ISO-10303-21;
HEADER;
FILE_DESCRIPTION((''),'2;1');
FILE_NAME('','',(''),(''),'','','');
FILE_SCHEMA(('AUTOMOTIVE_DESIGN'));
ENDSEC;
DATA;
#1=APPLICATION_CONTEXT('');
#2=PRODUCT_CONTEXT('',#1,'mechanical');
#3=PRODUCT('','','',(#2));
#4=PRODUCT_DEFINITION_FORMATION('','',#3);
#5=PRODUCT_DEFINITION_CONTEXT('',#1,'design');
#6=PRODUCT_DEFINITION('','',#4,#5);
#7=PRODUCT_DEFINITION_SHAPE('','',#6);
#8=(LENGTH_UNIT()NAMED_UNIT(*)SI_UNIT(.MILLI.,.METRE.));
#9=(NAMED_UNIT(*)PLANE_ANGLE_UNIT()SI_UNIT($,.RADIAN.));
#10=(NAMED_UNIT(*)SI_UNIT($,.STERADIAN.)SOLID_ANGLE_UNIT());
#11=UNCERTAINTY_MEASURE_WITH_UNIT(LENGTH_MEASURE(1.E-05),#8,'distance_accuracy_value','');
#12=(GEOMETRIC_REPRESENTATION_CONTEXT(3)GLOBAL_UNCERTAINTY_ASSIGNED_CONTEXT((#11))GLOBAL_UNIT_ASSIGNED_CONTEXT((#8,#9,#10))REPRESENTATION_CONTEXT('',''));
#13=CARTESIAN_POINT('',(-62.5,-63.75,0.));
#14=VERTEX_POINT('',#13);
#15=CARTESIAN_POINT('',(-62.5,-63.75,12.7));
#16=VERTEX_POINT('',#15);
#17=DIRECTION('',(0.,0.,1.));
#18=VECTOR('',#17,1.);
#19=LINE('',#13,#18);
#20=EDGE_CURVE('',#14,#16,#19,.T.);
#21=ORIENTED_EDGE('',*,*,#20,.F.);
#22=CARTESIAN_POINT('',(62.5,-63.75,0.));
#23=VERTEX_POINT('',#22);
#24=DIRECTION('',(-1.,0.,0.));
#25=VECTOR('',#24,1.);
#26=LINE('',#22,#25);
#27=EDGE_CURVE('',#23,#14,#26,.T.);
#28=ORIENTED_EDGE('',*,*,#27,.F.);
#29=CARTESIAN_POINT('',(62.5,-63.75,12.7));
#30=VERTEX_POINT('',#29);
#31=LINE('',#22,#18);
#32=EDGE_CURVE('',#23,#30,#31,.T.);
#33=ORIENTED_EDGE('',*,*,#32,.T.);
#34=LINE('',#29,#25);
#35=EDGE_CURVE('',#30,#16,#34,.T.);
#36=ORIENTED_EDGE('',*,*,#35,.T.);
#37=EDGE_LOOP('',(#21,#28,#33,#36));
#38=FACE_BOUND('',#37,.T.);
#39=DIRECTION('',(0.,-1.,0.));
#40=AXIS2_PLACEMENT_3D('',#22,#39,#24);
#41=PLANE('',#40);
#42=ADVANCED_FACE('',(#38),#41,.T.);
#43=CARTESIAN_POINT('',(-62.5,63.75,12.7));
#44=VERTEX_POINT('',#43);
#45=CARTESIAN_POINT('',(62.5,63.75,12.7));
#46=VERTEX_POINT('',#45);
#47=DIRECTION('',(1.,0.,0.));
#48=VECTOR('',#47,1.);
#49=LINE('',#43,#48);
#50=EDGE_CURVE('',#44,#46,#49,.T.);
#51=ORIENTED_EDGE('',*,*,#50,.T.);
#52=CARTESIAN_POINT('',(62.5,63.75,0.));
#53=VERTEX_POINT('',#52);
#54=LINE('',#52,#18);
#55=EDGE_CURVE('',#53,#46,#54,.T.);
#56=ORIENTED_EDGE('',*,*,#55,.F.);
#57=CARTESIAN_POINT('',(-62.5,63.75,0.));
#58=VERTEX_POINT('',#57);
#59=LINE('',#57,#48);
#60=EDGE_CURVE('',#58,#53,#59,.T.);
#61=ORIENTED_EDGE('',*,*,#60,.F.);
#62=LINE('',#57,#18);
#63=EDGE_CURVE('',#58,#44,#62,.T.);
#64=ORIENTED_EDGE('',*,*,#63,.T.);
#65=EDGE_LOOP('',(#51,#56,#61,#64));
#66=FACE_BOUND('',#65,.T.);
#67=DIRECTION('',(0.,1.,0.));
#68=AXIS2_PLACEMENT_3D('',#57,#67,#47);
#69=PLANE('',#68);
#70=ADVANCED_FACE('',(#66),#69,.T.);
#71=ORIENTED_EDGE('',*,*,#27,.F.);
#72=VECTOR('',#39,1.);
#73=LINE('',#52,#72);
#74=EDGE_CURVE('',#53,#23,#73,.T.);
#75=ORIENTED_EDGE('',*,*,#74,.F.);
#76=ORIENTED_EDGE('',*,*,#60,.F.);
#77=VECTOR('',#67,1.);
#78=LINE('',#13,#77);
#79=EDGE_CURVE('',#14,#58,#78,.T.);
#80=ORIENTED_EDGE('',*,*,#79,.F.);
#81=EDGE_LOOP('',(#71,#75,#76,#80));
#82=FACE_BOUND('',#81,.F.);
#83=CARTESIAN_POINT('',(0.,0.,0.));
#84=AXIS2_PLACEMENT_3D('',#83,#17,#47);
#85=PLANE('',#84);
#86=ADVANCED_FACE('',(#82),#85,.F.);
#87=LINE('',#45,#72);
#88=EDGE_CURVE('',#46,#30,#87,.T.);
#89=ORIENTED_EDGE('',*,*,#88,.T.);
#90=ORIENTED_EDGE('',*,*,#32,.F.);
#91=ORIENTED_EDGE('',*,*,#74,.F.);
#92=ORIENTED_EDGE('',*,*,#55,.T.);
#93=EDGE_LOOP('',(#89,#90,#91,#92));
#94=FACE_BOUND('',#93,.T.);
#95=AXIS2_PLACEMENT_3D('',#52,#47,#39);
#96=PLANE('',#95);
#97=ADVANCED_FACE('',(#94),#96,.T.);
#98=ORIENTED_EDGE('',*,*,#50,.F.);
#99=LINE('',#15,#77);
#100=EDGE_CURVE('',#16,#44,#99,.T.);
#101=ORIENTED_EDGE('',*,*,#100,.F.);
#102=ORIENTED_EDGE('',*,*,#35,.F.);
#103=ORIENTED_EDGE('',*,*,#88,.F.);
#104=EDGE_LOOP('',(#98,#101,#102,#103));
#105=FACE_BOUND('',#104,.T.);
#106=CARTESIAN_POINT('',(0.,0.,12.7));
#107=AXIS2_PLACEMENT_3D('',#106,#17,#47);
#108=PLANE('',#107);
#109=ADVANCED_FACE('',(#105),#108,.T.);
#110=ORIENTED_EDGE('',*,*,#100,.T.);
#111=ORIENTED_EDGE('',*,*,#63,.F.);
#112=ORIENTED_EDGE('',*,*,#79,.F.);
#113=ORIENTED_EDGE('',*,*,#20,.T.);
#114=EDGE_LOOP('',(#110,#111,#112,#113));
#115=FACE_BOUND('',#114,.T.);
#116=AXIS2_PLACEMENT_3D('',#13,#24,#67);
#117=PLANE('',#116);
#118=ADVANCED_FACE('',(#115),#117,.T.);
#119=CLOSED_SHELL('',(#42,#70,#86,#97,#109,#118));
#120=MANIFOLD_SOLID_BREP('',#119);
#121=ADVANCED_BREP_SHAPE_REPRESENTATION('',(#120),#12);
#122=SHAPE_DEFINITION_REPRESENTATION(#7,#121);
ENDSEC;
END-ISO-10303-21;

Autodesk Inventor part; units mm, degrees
ref_plane "YZ Plane" through (0, 0, 0) normal (1, 0, 0) x (0, 1, 0)
ref_plane "XZ Plane" through (0, 0, 0) normal (0, 1, 0) x (-1, 0, 0)
ref_plane "XY Plane" through (0, 0, 0) normal (0, 0, 1) x (1, 0, 0)
sketch "Esboço1" plane through (0, 0, 0) normal (0, 0, 1) x (1, 0, 0)
  line L0 (-62.5, 63.75) -> (62.5, 63.75)
  line L1 (62.5, 63.75) -> (62.5, -63.75)
  line L2 (62.5, -63.75) -> (-62.5, -63.75)
  line L3 (-62.5, -63.75) -> (-62.5, 63.75)
  line L4 (-62.5, 63.75) -> (62.5, -63.75) construction
  line L5 (62.5, 63.75) -> (-62.5, -63.75) construction
  point P0 (0, 0)
  dimension "d0" = 125
  dimension "d1" = 127.5
extrude "Extrusão1" add sketch "Esboço1" along normal blind 12.7
properties part number "CHAPA_APOIO_INFERIOR_EIXO_X"
